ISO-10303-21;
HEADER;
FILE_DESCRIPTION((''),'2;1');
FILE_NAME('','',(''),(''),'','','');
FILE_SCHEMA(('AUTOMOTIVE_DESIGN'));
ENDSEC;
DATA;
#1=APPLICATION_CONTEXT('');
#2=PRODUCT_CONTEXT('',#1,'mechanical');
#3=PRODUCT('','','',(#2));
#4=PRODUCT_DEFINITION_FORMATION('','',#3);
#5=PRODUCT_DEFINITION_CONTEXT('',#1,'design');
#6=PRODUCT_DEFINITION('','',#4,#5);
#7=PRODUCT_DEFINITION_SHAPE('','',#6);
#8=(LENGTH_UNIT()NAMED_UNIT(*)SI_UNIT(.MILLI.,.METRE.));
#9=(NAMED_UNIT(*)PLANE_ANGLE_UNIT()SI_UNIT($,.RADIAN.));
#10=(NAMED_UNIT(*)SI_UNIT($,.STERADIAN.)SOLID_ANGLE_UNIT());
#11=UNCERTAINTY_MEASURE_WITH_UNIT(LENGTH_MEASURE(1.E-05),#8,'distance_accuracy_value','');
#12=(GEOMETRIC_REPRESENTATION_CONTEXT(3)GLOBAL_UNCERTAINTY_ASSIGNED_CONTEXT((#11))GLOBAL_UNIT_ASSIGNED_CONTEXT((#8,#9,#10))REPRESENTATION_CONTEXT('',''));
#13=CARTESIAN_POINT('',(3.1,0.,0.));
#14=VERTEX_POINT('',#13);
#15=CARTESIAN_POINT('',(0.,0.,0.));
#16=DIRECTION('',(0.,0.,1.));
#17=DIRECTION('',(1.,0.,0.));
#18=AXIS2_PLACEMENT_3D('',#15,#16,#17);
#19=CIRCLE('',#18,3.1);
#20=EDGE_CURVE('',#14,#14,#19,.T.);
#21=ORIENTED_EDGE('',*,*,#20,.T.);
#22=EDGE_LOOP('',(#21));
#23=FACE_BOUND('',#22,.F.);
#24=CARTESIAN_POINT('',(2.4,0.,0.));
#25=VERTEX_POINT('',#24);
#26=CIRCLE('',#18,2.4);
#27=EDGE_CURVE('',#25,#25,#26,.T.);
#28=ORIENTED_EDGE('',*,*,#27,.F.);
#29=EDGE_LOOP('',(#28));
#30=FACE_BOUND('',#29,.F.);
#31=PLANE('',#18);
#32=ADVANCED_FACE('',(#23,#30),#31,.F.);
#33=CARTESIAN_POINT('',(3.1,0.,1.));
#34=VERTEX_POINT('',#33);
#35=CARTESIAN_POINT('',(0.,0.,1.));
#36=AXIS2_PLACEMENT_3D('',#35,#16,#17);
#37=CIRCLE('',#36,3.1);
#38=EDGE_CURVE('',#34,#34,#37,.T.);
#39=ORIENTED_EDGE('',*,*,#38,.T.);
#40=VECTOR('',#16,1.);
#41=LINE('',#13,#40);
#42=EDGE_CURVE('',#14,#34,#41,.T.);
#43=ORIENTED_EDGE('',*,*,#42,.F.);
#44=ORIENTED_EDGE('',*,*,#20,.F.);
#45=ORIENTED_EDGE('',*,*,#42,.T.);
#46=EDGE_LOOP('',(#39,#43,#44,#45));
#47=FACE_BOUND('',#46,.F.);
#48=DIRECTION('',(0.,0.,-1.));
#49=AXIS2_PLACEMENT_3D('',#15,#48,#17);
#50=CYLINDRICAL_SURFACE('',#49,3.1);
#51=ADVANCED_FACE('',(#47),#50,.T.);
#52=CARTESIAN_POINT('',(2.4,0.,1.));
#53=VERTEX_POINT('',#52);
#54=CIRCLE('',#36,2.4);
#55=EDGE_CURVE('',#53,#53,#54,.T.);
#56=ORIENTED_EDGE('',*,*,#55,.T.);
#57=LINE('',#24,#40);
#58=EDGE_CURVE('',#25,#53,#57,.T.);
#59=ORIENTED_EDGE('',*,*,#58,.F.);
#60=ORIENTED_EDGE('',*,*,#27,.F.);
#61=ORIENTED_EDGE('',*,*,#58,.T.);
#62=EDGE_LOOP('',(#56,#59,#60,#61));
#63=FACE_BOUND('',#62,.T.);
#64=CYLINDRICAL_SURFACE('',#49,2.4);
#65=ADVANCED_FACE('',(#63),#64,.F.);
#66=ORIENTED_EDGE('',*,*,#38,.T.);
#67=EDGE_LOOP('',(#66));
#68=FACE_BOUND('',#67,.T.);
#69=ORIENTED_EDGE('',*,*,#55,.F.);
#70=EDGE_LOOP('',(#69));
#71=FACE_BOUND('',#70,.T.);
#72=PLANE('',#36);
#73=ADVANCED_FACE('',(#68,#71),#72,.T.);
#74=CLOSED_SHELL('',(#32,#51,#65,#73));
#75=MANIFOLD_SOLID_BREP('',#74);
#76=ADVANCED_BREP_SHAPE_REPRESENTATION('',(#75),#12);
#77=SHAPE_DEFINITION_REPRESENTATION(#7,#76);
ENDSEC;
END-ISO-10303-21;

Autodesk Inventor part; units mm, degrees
ref_plane "YZ Plane" through (0, 0, 0) normal (1, 0, 0) x (0, 1, 0)
ref_plane "XZ Plane" through (0, 0, 0) normal (0, 1, 0) x (-1, 0, 0)
ref_plane "XY Plane" through (0, 0, 0) normal (0, 0, 1) x (1, 0, 0)
sketch "Sketch1" plane through (0, 0, 0) normal (0, 0, 1) x (1, 0, 0)
  circle A0 centre (0, 0) radius 2.4
  circle A1 centre (0, 0) radius 3.1
  dimension "d0" = 4.8
  dimension "d1" = 6.2
extrude "Extrusion1" add sketch "Sketch1" along normal blind 1
properties part number "GT2IdlerWasherCustom"
